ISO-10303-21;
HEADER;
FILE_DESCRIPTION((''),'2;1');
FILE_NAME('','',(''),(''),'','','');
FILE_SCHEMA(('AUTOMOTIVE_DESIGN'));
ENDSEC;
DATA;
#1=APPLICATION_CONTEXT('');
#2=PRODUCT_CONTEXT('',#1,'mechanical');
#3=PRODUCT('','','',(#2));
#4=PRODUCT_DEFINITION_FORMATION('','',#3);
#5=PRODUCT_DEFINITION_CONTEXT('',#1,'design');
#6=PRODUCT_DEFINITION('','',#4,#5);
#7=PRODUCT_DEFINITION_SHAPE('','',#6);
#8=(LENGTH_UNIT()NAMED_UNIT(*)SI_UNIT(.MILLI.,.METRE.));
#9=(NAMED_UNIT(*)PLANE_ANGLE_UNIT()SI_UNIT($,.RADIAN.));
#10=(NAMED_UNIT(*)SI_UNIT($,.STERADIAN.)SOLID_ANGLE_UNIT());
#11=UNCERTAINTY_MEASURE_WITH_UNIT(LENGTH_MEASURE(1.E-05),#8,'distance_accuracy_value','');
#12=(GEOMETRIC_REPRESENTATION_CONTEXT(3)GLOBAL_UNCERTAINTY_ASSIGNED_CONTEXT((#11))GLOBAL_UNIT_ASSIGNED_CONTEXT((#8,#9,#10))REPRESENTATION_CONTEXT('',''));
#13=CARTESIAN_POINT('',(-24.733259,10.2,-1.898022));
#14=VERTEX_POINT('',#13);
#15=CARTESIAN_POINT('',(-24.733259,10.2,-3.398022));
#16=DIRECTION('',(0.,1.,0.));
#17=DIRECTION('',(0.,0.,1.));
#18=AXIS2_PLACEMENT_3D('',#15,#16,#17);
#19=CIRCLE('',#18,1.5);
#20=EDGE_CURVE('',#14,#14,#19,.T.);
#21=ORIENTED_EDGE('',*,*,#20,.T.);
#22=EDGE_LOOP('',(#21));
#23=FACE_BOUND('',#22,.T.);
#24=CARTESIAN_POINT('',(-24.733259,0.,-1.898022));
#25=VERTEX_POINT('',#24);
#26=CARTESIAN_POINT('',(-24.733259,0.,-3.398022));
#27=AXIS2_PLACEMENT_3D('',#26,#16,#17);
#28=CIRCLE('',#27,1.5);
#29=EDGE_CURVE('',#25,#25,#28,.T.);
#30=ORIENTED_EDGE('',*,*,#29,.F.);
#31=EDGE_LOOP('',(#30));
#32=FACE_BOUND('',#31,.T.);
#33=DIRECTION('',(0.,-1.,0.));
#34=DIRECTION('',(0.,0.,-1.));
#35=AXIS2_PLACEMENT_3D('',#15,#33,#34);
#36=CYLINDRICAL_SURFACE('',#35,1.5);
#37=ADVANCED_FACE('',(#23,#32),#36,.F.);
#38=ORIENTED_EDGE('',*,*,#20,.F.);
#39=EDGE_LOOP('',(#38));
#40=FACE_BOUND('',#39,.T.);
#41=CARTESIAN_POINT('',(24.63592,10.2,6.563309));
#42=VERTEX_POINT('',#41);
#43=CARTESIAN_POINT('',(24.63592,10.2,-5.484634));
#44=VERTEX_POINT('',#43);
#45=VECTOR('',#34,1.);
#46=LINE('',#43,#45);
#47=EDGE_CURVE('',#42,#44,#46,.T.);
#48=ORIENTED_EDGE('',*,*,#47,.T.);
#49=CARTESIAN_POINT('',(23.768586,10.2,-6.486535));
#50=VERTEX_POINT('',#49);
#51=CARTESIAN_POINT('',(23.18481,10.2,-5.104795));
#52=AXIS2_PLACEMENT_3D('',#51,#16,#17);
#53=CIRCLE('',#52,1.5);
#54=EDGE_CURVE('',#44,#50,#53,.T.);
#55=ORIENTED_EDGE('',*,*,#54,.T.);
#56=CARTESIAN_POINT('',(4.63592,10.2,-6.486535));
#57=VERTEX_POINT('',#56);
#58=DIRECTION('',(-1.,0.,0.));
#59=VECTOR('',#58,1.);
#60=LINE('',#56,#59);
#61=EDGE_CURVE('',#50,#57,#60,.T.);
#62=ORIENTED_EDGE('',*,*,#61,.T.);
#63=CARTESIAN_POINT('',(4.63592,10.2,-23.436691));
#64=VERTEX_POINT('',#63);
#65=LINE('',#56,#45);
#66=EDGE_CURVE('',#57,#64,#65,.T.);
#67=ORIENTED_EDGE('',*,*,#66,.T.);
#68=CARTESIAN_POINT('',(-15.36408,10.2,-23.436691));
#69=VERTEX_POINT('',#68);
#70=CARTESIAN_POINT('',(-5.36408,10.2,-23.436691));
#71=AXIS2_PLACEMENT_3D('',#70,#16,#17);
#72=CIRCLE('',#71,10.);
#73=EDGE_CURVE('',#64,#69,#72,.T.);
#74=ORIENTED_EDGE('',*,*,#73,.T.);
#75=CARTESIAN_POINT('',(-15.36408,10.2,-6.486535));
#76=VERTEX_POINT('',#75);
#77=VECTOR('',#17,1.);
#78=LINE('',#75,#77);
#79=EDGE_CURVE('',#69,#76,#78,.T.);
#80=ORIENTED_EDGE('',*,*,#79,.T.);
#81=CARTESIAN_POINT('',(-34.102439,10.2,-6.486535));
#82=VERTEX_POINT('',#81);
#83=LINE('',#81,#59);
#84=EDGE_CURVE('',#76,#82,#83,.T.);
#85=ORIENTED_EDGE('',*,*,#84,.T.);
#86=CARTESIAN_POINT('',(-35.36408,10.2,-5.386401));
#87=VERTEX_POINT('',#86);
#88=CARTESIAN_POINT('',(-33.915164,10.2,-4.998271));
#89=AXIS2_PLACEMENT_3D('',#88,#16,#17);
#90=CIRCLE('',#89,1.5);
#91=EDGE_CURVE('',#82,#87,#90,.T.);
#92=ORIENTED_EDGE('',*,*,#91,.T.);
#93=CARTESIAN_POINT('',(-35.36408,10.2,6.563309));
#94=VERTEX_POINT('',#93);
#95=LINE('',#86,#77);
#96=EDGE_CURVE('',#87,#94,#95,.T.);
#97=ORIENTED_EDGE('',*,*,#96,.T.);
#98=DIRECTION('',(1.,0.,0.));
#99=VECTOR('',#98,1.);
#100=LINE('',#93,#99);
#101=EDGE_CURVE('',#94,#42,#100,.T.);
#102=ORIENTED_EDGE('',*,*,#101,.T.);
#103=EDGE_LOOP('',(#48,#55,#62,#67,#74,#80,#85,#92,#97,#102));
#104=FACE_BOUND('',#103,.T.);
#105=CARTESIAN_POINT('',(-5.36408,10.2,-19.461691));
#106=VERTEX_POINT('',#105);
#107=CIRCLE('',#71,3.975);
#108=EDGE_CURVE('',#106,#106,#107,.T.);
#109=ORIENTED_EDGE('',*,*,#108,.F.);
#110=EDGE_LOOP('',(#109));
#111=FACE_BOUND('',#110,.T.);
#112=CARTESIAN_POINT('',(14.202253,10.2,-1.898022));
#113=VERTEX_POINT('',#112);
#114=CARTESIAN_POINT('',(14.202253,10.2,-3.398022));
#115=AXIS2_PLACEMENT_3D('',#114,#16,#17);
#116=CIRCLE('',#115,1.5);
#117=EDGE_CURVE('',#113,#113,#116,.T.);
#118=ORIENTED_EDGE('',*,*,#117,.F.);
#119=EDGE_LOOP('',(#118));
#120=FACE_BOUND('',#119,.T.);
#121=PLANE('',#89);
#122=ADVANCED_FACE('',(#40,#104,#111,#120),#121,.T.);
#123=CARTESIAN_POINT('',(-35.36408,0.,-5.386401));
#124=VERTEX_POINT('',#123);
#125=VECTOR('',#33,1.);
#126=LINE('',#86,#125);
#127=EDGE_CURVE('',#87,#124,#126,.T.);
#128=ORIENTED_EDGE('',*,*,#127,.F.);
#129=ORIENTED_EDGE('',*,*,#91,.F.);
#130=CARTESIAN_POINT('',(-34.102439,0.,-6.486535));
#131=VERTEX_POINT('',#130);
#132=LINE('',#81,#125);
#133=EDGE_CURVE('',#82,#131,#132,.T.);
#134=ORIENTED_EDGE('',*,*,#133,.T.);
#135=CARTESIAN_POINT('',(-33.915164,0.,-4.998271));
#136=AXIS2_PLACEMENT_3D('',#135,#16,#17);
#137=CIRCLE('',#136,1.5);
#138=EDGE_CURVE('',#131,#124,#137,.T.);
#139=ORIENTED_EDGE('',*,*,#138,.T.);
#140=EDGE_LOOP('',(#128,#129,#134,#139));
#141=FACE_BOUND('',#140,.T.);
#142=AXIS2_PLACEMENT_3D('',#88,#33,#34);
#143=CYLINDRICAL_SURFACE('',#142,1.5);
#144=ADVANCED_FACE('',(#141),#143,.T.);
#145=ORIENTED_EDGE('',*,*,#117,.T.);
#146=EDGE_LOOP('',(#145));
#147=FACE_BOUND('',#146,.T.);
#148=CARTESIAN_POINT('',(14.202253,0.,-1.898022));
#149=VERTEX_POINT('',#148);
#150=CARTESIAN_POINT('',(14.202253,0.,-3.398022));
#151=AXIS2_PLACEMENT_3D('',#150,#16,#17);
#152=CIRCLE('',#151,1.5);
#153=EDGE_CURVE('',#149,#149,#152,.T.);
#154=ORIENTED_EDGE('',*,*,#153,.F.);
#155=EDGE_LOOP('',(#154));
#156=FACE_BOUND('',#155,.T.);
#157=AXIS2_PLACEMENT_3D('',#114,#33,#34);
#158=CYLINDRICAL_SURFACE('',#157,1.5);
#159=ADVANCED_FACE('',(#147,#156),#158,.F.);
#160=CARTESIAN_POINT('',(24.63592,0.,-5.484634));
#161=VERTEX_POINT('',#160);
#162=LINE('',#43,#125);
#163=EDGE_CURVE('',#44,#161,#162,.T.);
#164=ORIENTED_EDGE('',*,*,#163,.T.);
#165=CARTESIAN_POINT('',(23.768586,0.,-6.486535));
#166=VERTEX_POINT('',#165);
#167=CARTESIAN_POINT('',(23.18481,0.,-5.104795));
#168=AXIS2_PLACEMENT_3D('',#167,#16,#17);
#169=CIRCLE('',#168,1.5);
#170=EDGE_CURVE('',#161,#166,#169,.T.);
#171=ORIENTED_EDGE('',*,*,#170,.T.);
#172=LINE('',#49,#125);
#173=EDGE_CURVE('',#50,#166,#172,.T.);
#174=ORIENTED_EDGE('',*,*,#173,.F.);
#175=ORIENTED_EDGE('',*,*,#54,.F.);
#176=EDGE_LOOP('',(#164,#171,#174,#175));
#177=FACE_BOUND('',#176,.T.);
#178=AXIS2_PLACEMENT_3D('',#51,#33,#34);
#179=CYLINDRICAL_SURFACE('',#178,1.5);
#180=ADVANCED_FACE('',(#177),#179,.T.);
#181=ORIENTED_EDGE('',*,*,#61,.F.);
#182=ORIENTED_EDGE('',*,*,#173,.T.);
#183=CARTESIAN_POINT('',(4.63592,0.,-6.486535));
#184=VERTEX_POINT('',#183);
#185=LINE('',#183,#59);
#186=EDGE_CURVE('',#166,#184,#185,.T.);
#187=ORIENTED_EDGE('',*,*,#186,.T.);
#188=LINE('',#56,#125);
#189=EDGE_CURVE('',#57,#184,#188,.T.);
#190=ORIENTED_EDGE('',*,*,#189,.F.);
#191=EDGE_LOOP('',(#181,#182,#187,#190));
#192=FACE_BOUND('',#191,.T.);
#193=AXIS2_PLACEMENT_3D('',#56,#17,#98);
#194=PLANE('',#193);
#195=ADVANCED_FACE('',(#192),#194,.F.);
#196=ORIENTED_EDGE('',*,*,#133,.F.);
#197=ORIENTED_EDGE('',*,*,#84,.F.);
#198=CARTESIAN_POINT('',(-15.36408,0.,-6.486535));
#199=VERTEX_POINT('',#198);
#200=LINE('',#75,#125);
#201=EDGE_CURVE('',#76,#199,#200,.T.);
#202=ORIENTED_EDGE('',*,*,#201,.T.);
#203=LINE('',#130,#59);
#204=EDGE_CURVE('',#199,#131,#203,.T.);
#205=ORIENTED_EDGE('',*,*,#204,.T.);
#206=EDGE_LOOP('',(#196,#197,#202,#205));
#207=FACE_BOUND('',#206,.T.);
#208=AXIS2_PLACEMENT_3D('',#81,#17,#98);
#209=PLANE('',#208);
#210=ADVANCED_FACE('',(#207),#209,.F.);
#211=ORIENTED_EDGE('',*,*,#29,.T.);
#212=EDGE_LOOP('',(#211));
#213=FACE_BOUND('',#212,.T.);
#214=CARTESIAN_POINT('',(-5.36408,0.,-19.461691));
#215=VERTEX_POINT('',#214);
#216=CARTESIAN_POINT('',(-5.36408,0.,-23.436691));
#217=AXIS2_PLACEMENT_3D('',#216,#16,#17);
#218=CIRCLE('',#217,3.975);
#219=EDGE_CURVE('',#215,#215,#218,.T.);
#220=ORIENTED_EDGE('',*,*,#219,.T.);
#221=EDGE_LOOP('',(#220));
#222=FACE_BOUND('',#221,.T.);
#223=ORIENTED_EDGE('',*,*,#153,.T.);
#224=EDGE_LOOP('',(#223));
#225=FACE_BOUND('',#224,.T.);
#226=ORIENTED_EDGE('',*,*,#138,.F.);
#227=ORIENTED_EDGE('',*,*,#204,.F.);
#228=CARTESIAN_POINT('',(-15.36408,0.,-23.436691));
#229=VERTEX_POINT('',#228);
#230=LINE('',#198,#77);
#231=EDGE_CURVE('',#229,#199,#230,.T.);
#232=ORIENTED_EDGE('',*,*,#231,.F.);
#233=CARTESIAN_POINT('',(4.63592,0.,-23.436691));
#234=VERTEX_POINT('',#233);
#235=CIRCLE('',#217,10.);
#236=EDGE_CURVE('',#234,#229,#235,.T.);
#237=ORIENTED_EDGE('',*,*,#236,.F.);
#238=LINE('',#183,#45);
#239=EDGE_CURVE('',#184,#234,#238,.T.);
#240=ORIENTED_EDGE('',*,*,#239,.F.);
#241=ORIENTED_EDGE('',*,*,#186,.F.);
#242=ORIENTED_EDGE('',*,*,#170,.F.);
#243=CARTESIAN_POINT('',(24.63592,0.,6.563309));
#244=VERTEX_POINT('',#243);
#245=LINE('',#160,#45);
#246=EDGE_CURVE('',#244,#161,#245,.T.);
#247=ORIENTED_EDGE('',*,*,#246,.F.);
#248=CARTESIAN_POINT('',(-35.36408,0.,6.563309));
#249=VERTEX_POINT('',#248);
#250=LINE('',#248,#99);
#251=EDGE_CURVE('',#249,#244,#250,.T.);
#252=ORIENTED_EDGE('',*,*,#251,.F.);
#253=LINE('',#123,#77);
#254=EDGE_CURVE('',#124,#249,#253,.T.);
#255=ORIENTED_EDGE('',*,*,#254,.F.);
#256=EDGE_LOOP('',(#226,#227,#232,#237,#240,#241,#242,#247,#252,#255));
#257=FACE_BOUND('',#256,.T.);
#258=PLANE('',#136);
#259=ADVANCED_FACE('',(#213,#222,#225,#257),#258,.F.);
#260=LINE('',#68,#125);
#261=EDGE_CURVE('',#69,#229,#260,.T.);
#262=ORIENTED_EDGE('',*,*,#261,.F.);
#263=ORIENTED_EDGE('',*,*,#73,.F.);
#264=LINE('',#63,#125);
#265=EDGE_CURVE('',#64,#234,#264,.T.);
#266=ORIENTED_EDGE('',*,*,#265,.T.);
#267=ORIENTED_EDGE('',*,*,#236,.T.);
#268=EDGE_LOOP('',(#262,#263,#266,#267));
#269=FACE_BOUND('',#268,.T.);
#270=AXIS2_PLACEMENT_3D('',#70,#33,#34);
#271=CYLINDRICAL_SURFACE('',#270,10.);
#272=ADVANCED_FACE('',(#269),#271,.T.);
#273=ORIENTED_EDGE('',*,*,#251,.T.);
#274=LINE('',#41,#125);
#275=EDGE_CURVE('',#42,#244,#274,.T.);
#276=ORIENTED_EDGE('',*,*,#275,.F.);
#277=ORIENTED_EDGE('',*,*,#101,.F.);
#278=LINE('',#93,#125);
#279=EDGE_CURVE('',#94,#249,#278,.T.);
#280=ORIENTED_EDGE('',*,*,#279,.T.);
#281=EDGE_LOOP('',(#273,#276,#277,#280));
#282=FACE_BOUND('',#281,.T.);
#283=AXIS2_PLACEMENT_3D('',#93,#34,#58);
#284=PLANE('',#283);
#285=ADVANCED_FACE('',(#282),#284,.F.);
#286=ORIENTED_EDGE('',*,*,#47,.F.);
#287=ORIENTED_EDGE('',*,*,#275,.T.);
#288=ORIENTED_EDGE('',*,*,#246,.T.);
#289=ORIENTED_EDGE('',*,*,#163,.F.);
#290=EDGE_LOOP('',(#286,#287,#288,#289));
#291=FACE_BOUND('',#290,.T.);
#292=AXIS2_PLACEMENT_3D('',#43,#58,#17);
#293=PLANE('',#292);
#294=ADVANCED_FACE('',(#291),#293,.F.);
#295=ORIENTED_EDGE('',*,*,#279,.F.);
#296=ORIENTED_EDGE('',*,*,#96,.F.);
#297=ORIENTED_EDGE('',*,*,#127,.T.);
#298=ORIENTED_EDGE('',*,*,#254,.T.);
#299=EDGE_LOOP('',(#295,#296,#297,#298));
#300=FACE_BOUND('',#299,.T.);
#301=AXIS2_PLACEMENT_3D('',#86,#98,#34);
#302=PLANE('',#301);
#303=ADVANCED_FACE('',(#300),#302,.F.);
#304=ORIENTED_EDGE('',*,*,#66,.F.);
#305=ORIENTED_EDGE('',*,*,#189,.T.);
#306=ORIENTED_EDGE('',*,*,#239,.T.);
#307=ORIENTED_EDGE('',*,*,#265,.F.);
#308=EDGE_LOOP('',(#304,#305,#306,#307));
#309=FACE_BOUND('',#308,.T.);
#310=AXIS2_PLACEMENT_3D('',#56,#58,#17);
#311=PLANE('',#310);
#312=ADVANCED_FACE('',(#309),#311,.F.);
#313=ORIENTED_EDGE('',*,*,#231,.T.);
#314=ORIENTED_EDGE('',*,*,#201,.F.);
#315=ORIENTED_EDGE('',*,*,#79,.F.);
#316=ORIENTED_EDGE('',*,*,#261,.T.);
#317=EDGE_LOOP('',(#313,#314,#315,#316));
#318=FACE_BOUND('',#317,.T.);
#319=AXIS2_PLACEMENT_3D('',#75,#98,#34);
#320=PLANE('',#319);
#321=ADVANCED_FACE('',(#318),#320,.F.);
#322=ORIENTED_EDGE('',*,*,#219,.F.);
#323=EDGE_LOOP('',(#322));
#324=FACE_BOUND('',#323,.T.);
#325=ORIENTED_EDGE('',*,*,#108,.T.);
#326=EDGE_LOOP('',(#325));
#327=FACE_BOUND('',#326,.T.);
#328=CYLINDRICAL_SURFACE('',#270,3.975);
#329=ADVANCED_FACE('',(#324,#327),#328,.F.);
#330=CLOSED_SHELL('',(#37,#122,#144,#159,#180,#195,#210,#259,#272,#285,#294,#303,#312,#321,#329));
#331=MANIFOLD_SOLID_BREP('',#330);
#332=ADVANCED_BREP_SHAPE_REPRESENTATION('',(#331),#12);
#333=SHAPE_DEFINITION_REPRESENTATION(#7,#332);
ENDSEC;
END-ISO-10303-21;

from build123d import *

# Parameters (mm, degrees)
CROQUIS1_R              = 3.975
CROQUIS1_R_2            = 1.5
SALIENTE_EXTRUIR1_DEPTH = 10.2


with BuildPart() as part:
    # Croquis1 → Saliente-Extruir1 (new body)
    with BuildSketch(Plane(origin=(0, 0, 0), x_dir=(1, 0, 0), z_dir=(0, 1, 0))):
        with BuildLine():
            Line((-34.10243875, 6.486534721), (-15.364079564, 6.486534721))
            Line((-15.364079564, 6.486534721), (-15.364079564, 23.436691068))
            ThreePointArc((-15.364079564, 23.436691068), (-5.364079564, 33.436691068), (4.635920436, 23.436691068))
            Line((4.635920436, 23.436691068), (4.635920436, 6.486534721))
            Line((4.635920436, 6.486534721), (23.768585867, 6.486534721))
            ThreePointArc((23.768585867, 6.486534721), (24.318891967, 6.08655714), (24.635920436, 5.484633707))
            Line((24.635920436, 5.484633707), (24.635920436, -6.563308932))
            Line((24.635920436, -6.563308932), (-35.364079564, -6.563308932))
            Line((-35.364079564, -6.563308932), (-35.364079564, 5.386400848))
            ThreePointArc((-35.364079564, 5.386400848), (-34.900990267, 6.128822933), (-34.10243875, 6.486534721))
        make_face()
        with Locations(Location((-5.364079564, 23.436691068, 0), (0, 0, 270))):
            Circle(CROQUIS1_R, mode=Mode.SUBTRACT)
        with Locations(Location((-24.733259157, 3.398021726, 0), (0, 0, 270))):
            Circle(CROQUIS1_R_2, mode=Mode.SUBTRACT)
        with Locations(Location((14.202253152, 3.398021726, 0), (0, 0, 270))):
            Circle(CROQUIS1_R_2, mode=Mode.SUBTRACT)
    extrude(amount=SALIENTE_EXTRUIR1_DEPTH)


solid = part.part
